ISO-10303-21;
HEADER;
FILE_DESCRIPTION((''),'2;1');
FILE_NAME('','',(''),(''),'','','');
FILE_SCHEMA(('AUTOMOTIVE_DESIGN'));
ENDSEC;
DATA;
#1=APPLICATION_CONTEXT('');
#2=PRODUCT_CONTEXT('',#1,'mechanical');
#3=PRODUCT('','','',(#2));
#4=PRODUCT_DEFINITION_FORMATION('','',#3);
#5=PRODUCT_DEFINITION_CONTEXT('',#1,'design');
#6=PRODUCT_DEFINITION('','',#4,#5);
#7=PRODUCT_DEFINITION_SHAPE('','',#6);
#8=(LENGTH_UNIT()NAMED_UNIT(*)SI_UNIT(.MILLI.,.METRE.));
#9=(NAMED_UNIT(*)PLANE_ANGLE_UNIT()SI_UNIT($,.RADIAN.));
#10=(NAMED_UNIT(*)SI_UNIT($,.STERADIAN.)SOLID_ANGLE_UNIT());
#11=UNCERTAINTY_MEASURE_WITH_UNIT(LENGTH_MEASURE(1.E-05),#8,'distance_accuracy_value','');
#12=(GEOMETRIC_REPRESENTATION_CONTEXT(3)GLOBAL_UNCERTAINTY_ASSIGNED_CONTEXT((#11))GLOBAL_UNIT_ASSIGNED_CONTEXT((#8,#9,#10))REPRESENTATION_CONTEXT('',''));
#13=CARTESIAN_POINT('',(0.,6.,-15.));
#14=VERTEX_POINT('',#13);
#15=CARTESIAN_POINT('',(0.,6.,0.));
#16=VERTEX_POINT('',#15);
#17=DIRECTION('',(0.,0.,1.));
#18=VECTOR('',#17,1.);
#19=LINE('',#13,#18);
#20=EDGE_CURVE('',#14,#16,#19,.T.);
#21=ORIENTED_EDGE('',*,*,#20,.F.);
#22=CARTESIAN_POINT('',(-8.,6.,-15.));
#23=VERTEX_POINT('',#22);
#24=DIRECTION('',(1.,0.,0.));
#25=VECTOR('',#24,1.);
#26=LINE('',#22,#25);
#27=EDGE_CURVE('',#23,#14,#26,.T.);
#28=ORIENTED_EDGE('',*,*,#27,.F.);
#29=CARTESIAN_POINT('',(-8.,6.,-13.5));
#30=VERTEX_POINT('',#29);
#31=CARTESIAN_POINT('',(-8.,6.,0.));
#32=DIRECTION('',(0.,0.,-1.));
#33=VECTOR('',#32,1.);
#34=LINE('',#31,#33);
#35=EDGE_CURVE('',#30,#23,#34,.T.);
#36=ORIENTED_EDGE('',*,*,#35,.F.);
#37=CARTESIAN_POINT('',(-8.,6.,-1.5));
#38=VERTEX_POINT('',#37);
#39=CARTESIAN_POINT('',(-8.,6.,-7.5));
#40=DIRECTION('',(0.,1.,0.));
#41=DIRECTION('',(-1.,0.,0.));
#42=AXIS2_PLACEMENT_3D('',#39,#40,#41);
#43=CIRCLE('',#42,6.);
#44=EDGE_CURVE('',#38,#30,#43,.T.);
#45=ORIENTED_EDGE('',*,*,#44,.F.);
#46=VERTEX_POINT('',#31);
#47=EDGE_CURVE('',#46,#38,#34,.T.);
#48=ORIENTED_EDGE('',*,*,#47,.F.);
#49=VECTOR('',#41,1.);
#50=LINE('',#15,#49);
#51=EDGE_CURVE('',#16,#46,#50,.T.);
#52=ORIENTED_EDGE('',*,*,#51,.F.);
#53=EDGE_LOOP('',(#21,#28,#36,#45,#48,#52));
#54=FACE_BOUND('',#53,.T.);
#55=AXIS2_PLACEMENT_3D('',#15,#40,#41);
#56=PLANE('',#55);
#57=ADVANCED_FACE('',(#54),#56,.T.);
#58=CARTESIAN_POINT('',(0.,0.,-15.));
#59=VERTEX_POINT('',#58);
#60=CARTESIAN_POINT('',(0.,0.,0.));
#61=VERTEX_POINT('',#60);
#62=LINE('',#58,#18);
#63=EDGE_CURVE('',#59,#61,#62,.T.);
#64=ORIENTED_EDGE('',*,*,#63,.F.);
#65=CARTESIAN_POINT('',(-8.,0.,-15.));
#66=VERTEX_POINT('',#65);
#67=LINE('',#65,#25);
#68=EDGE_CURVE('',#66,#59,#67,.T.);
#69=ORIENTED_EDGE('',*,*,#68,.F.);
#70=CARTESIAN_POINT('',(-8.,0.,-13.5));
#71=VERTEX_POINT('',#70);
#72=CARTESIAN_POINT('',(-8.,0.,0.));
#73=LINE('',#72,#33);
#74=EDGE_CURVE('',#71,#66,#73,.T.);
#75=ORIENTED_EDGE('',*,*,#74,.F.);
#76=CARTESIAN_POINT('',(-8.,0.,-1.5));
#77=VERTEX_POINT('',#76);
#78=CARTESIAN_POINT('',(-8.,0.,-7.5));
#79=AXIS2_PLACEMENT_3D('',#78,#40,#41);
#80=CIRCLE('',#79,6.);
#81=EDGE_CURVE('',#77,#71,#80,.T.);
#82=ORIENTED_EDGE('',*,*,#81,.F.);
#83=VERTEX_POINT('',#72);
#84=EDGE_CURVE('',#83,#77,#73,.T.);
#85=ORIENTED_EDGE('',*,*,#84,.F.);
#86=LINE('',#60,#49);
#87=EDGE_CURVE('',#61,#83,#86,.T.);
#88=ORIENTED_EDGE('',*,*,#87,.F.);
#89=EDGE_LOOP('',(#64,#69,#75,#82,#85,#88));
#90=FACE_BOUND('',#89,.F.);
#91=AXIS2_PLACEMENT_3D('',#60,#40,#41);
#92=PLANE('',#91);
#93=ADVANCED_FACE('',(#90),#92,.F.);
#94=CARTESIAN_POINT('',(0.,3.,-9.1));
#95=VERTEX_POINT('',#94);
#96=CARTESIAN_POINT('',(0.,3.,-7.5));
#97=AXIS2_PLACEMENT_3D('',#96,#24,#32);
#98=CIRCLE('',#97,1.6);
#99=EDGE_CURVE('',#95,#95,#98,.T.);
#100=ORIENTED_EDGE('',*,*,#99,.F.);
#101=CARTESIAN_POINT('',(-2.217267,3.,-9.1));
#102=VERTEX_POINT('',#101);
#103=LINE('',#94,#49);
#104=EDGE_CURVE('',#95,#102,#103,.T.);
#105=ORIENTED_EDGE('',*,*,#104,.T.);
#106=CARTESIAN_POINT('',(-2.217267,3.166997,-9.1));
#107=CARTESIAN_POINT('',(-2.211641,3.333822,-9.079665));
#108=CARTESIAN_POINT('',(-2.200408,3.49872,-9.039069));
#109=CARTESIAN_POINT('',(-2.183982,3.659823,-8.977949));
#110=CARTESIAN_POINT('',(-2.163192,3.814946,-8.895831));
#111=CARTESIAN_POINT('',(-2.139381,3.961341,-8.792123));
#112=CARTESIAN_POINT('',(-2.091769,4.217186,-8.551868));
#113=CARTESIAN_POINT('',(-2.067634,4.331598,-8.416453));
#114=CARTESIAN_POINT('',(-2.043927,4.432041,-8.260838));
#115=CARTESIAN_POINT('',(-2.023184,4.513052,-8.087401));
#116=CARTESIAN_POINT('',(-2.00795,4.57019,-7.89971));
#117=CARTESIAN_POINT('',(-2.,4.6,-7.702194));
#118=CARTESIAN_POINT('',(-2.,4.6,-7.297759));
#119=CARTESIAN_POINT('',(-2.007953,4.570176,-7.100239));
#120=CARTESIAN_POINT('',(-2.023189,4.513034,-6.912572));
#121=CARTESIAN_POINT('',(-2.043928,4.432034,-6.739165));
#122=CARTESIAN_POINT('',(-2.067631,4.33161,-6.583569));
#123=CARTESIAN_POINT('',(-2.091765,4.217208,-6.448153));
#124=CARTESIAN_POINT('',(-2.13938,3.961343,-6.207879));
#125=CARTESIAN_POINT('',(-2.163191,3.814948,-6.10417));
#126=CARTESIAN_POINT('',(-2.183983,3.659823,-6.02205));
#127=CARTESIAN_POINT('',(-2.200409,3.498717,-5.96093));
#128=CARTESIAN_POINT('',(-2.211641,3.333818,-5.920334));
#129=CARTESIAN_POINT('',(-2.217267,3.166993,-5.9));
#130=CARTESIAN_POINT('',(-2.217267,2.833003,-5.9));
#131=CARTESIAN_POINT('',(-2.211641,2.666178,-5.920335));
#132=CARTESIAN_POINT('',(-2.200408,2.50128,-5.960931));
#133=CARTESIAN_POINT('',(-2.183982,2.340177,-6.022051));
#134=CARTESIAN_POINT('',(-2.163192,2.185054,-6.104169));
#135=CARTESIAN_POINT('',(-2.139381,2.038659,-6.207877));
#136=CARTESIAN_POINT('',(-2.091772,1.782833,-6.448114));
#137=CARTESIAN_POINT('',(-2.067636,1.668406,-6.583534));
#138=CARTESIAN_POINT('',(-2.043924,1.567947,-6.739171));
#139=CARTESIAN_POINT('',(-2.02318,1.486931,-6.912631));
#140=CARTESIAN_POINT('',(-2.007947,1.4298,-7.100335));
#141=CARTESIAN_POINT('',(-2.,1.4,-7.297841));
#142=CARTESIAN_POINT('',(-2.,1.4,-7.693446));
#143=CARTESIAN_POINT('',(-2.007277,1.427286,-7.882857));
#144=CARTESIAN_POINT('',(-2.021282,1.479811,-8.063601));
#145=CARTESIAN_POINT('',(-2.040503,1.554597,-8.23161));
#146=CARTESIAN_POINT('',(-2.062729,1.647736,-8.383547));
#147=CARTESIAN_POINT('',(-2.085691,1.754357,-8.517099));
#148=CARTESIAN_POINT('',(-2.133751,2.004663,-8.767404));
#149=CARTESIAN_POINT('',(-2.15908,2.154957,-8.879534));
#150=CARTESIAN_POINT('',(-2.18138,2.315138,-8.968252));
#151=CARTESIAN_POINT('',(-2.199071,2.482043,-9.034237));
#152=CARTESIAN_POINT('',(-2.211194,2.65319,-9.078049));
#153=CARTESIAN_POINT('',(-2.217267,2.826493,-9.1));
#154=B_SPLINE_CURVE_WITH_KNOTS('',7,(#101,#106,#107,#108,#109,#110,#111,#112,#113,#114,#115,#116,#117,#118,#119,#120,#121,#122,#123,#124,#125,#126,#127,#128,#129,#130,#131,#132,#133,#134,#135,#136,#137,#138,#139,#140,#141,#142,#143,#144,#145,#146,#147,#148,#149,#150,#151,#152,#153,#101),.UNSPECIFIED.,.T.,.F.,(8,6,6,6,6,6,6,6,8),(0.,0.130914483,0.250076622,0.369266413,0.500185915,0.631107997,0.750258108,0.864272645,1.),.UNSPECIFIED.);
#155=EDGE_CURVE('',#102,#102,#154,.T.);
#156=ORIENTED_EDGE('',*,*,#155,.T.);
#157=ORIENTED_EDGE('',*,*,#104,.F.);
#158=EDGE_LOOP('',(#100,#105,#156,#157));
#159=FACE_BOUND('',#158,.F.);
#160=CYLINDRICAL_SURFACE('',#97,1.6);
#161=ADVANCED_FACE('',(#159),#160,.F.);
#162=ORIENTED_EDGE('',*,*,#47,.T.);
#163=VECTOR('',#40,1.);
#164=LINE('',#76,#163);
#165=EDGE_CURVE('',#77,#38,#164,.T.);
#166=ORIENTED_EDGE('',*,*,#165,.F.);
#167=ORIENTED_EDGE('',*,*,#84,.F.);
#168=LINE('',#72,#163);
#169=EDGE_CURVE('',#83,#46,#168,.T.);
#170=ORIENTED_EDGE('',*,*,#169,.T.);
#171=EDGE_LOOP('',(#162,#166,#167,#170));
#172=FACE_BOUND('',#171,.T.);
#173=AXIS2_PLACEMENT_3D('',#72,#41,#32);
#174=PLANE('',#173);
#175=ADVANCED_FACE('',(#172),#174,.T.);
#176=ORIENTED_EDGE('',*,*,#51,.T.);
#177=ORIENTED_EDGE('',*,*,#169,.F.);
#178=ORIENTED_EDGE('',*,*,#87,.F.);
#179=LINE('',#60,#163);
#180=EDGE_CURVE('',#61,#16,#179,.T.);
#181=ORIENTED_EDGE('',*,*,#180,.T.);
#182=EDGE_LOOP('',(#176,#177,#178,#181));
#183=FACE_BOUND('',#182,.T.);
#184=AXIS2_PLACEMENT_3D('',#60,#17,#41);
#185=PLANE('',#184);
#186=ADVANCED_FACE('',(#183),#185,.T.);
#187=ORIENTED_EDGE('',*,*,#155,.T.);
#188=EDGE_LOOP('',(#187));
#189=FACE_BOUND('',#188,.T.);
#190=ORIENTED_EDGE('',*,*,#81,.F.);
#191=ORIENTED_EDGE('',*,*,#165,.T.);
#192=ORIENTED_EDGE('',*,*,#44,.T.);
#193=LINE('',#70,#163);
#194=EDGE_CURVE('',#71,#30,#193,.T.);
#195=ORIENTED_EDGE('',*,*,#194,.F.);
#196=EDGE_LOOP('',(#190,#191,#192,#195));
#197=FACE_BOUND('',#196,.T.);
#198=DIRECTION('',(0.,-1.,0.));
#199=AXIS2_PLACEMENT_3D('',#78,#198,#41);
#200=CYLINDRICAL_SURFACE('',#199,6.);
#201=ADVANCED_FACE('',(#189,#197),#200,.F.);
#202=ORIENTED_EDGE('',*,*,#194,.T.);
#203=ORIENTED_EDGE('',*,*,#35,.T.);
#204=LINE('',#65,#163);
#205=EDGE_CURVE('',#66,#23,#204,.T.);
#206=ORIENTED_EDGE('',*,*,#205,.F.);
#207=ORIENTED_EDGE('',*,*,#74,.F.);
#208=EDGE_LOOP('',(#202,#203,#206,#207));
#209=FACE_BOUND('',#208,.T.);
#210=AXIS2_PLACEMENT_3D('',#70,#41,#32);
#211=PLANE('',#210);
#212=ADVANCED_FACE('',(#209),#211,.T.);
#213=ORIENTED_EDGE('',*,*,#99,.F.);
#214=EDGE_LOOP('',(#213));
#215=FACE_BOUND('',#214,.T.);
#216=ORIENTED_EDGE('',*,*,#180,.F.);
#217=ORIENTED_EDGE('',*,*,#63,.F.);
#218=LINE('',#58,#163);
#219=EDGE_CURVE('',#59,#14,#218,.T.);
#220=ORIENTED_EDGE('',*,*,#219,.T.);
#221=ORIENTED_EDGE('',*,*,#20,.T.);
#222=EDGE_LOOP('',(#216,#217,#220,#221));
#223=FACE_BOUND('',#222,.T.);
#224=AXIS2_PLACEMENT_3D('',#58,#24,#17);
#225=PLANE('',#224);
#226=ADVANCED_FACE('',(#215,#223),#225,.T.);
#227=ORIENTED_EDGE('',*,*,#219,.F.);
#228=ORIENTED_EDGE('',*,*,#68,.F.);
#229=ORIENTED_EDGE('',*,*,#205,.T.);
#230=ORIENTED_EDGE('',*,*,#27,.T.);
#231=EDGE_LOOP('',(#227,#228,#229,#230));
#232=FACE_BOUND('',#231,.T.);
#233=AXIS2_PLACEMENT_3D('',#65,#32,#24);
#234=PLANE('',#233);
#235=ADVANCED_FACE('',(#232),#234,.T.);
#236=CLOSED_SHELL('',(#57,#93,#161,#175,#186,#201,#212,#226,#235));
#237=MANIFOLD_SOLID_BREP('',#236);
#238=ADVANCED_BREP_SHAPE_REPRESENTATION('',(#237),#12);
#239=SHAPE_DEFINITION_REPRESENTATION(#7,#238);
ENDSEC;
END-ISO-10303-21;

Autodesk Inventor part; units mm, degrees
ref_plane "YZ Plane" through (0, 0, 0) normal (1, 0, 0) x (0, 1, 0)
ref_plane "XZ Plane" through (0, 0, 0) normal (0, 1, 0) x (-1, 0, 0)
ref_plane "XY Plane" through (0, 0, 0) normal (0, 0, 1) x (1, 0, 0)
sketch "Sketch1" plane through (0, 0, 0) normal (0, 1, 0) x (-1, 0, 0)
  line L0 (0, 0) -> (8, 0)
  line L1 (8, 0) -> (8, -15)
  line L2 (8, -15) -> (0, -15)
  line L3 (0, -15) -> (0, 0)
  circle A0 centre (8, -7.5) radius 6
  point P0 (8, -13.5)
  point P1 (8, -1.5)
  dimension "d1" = 8
  dimension "d7" = 15
  dimension "d8" = 15
  dimension "d9" = 12
extrude "Extrusion1" add sketch "Sketch1" along normal blind 6 contours L0 L1 A0 L2 L3
sketch "Sketch2" plane through (0, 0, 0) normal (1, 0, 0) x (0, 0, -1)
  circle A0 centre (7.5, 3) radius 1.6
  line L0 (0, 0) -> (15, 0) projected
  line L1 (0, 0) -> (0, 6) projected
  dimension "d4" = 3.2
  dimension "d5" = 3
  dimension "d6" = 7.5
extrude "Extrusion2" cut sketch "Sketch2" against normal blind 6
properties part number "Tube_adaptor"
